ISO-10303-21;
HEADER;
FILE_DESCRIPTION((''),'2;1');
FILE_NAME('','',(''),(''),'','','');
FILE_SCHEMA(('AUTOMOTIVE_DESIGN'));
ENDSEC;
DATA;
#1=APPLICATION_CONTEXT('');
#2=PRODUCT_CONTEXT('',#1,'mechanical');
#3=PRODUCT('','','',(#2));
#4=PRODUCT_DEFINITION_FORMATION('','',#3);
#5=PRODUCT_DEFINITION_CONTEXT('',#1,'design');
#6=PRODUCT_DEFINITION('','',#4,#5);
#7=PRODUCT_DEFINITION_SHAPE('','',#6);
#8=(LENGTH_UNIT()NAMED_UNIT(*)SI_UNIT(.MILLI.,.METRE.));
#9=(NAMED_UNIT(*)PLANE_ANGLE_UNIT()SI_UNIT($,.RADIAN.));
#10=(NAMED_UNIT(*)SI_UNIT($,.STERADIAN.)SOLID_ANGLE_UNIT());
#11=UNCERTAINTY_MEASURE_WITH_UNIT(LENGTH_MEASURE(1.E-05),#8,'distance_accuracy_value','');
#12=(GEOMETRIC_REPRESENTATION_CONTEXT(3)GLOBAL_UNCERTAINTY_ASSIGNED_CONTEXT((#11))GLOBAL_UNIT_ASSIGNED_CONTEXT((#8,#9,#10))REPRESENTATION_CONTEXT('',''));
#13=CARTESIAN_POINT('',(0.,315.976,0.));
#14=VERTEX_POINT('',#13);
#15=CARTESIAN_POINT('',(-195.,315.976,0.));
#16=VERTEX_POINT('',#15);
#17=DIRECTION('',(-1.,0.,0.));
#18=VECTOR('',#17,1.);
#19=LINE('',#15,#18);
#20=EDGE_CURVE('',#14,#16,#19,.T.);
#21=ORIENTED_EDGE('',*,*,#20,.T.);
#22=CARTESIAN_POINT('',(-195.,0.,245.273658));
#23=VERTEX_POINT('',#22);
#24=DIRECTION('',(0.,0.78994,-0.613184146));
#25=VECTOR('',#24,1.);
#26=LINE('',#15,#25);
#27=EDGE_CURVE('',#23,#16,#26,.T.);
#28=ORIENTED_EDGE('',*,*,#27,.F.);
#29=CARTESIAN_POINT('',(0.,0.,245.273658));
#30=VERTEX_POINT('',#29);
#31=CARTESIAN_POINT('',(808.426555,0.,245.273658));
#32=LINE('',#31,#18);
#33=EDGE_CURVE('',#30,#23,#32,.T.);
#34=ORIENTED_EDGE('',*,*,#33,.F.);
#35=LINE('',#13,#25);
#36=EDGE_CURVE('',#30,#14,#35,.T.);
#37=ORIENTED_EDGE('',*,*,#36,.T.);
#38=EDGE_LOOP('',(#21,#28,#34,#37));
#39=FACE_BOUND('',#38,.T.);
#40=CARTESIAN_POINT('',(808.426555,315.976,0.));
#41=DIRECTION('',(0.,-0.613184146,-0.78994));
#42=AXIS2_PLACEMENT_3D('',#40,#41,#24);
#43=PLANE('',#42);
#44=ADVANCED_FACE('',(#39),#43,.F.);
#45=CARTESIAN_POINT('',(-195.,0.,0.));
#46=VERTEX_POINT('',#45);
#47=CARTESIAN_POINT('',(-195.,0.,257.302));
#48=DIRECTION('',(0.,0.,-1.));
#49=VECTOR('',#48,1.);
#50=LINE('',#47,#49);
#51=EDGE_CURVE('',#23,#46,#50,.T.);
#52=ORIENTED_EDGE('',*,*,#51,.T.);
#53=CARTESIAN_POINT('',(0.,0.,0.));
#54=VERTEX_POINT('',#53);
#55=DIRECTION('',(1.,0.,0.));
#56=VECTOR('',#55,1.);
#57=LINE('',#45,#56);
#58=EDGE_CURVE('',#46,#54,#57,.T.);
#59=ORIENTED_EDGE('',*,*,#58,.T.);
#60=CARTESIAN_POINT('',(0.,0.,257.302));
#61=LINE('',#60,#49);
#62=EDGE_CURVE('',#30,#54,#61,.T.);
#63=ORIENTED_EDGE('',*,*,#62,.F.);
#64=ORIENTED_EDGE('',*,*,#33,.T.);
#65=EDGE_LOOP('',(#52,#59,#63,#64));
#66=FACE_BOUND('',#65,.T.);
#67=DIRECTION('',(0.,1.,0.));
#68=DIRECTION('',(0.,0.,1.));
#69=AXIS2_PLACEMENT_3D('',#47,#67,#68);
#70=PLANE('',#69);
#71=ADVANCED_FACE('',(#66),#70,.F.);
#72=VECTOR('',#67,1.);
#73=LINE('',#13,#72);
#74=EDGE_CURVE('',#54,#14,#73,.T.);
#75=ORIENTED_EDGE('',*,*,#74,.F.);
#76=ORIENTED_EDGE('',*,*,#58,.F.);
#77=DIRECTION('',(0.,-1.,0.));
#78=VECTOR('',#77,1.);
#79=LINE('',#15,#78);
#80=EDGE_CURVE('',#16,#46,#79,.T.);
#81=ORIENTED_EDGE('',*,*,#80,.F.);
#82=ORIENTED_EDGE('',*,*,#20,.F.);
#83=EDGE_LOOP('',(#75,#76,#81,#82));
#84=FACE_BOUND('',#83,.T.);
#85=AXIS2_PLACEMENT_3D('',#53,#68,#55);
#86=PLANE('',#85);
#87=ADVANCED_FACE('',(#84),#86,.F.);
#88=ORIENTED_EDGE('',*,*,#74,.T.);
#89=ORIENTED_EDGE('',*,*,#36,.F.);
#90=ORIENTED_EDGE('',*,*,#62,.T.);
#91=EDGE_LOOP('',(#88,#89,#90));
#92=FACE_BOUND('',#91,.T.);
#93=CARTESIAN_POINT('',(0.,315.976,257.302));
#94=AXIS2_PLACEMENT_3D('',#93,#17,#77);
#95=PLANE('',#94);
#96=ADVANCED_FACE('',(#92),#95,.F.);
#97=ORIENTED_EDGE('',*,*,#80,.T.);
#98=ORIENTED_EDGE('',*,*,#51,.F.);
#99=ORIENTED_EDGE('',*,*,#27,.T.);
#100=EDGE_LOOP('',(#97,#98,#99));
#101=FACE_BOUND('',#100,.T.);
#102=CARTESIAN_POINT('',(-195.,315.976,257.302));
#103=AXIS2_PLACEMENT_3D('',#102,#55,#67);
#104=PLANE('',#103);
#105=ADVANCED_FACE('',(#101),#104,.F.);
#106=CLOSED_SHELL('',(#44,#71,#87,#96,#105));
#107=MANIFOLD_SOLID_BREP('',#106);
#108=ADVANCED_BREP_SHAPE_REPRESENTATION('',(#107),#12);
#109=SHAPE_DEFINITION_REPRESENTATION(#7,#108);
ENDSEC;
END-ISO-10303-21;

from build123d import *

# Parameters (mm, degrees)
SKETCH1_W               = 195
SKETCH1_H               = 315.976
BOSS_EXTRUDE2_DEPTH     = 257.302
CUT_EXTRUDE1_DEPTH      = 452.741244276
CUT_EXTRUDE1_DEPTH_BACK = 195


with BuildPart() as part:
    # Sketch1 → Boss-Extrude2 (new body)
    with BuildSketch(Plane.XY):
        with Locations((-97.5, 157.988)):
            Rectangle(SKETCH1_W, SKETCH1_H)
    extrude(amount=BOSS_EXTRUDE2_DEPTH)

    # Sketch3 → Cut-Extrude1 (cut, two sides: drawn at the far end of the back side and taken through both)
    with BuildSketch(Plane(origin=(0, 0, 0), x_dir=(0, 0, -1), z_dir=(1, 0, 0)).offset(-CUT_EXTRUDE1_DEPTH_BACK)):
        Polygon((505.860219824, 967.654985707), (0, 315.976), (-245.273658235, 0), (-751.13387806, -651.678985707), (-2054.491849474, 360.041453942), (-797.49775159, 1979.375425356), align=None)
    extrude(amount=CUT_EXTRUDE1_DEPTH + CUT_EXTRUDE1_DEPTH_BACK, mode=Mode.SUBTRACT)


solid = part.part
